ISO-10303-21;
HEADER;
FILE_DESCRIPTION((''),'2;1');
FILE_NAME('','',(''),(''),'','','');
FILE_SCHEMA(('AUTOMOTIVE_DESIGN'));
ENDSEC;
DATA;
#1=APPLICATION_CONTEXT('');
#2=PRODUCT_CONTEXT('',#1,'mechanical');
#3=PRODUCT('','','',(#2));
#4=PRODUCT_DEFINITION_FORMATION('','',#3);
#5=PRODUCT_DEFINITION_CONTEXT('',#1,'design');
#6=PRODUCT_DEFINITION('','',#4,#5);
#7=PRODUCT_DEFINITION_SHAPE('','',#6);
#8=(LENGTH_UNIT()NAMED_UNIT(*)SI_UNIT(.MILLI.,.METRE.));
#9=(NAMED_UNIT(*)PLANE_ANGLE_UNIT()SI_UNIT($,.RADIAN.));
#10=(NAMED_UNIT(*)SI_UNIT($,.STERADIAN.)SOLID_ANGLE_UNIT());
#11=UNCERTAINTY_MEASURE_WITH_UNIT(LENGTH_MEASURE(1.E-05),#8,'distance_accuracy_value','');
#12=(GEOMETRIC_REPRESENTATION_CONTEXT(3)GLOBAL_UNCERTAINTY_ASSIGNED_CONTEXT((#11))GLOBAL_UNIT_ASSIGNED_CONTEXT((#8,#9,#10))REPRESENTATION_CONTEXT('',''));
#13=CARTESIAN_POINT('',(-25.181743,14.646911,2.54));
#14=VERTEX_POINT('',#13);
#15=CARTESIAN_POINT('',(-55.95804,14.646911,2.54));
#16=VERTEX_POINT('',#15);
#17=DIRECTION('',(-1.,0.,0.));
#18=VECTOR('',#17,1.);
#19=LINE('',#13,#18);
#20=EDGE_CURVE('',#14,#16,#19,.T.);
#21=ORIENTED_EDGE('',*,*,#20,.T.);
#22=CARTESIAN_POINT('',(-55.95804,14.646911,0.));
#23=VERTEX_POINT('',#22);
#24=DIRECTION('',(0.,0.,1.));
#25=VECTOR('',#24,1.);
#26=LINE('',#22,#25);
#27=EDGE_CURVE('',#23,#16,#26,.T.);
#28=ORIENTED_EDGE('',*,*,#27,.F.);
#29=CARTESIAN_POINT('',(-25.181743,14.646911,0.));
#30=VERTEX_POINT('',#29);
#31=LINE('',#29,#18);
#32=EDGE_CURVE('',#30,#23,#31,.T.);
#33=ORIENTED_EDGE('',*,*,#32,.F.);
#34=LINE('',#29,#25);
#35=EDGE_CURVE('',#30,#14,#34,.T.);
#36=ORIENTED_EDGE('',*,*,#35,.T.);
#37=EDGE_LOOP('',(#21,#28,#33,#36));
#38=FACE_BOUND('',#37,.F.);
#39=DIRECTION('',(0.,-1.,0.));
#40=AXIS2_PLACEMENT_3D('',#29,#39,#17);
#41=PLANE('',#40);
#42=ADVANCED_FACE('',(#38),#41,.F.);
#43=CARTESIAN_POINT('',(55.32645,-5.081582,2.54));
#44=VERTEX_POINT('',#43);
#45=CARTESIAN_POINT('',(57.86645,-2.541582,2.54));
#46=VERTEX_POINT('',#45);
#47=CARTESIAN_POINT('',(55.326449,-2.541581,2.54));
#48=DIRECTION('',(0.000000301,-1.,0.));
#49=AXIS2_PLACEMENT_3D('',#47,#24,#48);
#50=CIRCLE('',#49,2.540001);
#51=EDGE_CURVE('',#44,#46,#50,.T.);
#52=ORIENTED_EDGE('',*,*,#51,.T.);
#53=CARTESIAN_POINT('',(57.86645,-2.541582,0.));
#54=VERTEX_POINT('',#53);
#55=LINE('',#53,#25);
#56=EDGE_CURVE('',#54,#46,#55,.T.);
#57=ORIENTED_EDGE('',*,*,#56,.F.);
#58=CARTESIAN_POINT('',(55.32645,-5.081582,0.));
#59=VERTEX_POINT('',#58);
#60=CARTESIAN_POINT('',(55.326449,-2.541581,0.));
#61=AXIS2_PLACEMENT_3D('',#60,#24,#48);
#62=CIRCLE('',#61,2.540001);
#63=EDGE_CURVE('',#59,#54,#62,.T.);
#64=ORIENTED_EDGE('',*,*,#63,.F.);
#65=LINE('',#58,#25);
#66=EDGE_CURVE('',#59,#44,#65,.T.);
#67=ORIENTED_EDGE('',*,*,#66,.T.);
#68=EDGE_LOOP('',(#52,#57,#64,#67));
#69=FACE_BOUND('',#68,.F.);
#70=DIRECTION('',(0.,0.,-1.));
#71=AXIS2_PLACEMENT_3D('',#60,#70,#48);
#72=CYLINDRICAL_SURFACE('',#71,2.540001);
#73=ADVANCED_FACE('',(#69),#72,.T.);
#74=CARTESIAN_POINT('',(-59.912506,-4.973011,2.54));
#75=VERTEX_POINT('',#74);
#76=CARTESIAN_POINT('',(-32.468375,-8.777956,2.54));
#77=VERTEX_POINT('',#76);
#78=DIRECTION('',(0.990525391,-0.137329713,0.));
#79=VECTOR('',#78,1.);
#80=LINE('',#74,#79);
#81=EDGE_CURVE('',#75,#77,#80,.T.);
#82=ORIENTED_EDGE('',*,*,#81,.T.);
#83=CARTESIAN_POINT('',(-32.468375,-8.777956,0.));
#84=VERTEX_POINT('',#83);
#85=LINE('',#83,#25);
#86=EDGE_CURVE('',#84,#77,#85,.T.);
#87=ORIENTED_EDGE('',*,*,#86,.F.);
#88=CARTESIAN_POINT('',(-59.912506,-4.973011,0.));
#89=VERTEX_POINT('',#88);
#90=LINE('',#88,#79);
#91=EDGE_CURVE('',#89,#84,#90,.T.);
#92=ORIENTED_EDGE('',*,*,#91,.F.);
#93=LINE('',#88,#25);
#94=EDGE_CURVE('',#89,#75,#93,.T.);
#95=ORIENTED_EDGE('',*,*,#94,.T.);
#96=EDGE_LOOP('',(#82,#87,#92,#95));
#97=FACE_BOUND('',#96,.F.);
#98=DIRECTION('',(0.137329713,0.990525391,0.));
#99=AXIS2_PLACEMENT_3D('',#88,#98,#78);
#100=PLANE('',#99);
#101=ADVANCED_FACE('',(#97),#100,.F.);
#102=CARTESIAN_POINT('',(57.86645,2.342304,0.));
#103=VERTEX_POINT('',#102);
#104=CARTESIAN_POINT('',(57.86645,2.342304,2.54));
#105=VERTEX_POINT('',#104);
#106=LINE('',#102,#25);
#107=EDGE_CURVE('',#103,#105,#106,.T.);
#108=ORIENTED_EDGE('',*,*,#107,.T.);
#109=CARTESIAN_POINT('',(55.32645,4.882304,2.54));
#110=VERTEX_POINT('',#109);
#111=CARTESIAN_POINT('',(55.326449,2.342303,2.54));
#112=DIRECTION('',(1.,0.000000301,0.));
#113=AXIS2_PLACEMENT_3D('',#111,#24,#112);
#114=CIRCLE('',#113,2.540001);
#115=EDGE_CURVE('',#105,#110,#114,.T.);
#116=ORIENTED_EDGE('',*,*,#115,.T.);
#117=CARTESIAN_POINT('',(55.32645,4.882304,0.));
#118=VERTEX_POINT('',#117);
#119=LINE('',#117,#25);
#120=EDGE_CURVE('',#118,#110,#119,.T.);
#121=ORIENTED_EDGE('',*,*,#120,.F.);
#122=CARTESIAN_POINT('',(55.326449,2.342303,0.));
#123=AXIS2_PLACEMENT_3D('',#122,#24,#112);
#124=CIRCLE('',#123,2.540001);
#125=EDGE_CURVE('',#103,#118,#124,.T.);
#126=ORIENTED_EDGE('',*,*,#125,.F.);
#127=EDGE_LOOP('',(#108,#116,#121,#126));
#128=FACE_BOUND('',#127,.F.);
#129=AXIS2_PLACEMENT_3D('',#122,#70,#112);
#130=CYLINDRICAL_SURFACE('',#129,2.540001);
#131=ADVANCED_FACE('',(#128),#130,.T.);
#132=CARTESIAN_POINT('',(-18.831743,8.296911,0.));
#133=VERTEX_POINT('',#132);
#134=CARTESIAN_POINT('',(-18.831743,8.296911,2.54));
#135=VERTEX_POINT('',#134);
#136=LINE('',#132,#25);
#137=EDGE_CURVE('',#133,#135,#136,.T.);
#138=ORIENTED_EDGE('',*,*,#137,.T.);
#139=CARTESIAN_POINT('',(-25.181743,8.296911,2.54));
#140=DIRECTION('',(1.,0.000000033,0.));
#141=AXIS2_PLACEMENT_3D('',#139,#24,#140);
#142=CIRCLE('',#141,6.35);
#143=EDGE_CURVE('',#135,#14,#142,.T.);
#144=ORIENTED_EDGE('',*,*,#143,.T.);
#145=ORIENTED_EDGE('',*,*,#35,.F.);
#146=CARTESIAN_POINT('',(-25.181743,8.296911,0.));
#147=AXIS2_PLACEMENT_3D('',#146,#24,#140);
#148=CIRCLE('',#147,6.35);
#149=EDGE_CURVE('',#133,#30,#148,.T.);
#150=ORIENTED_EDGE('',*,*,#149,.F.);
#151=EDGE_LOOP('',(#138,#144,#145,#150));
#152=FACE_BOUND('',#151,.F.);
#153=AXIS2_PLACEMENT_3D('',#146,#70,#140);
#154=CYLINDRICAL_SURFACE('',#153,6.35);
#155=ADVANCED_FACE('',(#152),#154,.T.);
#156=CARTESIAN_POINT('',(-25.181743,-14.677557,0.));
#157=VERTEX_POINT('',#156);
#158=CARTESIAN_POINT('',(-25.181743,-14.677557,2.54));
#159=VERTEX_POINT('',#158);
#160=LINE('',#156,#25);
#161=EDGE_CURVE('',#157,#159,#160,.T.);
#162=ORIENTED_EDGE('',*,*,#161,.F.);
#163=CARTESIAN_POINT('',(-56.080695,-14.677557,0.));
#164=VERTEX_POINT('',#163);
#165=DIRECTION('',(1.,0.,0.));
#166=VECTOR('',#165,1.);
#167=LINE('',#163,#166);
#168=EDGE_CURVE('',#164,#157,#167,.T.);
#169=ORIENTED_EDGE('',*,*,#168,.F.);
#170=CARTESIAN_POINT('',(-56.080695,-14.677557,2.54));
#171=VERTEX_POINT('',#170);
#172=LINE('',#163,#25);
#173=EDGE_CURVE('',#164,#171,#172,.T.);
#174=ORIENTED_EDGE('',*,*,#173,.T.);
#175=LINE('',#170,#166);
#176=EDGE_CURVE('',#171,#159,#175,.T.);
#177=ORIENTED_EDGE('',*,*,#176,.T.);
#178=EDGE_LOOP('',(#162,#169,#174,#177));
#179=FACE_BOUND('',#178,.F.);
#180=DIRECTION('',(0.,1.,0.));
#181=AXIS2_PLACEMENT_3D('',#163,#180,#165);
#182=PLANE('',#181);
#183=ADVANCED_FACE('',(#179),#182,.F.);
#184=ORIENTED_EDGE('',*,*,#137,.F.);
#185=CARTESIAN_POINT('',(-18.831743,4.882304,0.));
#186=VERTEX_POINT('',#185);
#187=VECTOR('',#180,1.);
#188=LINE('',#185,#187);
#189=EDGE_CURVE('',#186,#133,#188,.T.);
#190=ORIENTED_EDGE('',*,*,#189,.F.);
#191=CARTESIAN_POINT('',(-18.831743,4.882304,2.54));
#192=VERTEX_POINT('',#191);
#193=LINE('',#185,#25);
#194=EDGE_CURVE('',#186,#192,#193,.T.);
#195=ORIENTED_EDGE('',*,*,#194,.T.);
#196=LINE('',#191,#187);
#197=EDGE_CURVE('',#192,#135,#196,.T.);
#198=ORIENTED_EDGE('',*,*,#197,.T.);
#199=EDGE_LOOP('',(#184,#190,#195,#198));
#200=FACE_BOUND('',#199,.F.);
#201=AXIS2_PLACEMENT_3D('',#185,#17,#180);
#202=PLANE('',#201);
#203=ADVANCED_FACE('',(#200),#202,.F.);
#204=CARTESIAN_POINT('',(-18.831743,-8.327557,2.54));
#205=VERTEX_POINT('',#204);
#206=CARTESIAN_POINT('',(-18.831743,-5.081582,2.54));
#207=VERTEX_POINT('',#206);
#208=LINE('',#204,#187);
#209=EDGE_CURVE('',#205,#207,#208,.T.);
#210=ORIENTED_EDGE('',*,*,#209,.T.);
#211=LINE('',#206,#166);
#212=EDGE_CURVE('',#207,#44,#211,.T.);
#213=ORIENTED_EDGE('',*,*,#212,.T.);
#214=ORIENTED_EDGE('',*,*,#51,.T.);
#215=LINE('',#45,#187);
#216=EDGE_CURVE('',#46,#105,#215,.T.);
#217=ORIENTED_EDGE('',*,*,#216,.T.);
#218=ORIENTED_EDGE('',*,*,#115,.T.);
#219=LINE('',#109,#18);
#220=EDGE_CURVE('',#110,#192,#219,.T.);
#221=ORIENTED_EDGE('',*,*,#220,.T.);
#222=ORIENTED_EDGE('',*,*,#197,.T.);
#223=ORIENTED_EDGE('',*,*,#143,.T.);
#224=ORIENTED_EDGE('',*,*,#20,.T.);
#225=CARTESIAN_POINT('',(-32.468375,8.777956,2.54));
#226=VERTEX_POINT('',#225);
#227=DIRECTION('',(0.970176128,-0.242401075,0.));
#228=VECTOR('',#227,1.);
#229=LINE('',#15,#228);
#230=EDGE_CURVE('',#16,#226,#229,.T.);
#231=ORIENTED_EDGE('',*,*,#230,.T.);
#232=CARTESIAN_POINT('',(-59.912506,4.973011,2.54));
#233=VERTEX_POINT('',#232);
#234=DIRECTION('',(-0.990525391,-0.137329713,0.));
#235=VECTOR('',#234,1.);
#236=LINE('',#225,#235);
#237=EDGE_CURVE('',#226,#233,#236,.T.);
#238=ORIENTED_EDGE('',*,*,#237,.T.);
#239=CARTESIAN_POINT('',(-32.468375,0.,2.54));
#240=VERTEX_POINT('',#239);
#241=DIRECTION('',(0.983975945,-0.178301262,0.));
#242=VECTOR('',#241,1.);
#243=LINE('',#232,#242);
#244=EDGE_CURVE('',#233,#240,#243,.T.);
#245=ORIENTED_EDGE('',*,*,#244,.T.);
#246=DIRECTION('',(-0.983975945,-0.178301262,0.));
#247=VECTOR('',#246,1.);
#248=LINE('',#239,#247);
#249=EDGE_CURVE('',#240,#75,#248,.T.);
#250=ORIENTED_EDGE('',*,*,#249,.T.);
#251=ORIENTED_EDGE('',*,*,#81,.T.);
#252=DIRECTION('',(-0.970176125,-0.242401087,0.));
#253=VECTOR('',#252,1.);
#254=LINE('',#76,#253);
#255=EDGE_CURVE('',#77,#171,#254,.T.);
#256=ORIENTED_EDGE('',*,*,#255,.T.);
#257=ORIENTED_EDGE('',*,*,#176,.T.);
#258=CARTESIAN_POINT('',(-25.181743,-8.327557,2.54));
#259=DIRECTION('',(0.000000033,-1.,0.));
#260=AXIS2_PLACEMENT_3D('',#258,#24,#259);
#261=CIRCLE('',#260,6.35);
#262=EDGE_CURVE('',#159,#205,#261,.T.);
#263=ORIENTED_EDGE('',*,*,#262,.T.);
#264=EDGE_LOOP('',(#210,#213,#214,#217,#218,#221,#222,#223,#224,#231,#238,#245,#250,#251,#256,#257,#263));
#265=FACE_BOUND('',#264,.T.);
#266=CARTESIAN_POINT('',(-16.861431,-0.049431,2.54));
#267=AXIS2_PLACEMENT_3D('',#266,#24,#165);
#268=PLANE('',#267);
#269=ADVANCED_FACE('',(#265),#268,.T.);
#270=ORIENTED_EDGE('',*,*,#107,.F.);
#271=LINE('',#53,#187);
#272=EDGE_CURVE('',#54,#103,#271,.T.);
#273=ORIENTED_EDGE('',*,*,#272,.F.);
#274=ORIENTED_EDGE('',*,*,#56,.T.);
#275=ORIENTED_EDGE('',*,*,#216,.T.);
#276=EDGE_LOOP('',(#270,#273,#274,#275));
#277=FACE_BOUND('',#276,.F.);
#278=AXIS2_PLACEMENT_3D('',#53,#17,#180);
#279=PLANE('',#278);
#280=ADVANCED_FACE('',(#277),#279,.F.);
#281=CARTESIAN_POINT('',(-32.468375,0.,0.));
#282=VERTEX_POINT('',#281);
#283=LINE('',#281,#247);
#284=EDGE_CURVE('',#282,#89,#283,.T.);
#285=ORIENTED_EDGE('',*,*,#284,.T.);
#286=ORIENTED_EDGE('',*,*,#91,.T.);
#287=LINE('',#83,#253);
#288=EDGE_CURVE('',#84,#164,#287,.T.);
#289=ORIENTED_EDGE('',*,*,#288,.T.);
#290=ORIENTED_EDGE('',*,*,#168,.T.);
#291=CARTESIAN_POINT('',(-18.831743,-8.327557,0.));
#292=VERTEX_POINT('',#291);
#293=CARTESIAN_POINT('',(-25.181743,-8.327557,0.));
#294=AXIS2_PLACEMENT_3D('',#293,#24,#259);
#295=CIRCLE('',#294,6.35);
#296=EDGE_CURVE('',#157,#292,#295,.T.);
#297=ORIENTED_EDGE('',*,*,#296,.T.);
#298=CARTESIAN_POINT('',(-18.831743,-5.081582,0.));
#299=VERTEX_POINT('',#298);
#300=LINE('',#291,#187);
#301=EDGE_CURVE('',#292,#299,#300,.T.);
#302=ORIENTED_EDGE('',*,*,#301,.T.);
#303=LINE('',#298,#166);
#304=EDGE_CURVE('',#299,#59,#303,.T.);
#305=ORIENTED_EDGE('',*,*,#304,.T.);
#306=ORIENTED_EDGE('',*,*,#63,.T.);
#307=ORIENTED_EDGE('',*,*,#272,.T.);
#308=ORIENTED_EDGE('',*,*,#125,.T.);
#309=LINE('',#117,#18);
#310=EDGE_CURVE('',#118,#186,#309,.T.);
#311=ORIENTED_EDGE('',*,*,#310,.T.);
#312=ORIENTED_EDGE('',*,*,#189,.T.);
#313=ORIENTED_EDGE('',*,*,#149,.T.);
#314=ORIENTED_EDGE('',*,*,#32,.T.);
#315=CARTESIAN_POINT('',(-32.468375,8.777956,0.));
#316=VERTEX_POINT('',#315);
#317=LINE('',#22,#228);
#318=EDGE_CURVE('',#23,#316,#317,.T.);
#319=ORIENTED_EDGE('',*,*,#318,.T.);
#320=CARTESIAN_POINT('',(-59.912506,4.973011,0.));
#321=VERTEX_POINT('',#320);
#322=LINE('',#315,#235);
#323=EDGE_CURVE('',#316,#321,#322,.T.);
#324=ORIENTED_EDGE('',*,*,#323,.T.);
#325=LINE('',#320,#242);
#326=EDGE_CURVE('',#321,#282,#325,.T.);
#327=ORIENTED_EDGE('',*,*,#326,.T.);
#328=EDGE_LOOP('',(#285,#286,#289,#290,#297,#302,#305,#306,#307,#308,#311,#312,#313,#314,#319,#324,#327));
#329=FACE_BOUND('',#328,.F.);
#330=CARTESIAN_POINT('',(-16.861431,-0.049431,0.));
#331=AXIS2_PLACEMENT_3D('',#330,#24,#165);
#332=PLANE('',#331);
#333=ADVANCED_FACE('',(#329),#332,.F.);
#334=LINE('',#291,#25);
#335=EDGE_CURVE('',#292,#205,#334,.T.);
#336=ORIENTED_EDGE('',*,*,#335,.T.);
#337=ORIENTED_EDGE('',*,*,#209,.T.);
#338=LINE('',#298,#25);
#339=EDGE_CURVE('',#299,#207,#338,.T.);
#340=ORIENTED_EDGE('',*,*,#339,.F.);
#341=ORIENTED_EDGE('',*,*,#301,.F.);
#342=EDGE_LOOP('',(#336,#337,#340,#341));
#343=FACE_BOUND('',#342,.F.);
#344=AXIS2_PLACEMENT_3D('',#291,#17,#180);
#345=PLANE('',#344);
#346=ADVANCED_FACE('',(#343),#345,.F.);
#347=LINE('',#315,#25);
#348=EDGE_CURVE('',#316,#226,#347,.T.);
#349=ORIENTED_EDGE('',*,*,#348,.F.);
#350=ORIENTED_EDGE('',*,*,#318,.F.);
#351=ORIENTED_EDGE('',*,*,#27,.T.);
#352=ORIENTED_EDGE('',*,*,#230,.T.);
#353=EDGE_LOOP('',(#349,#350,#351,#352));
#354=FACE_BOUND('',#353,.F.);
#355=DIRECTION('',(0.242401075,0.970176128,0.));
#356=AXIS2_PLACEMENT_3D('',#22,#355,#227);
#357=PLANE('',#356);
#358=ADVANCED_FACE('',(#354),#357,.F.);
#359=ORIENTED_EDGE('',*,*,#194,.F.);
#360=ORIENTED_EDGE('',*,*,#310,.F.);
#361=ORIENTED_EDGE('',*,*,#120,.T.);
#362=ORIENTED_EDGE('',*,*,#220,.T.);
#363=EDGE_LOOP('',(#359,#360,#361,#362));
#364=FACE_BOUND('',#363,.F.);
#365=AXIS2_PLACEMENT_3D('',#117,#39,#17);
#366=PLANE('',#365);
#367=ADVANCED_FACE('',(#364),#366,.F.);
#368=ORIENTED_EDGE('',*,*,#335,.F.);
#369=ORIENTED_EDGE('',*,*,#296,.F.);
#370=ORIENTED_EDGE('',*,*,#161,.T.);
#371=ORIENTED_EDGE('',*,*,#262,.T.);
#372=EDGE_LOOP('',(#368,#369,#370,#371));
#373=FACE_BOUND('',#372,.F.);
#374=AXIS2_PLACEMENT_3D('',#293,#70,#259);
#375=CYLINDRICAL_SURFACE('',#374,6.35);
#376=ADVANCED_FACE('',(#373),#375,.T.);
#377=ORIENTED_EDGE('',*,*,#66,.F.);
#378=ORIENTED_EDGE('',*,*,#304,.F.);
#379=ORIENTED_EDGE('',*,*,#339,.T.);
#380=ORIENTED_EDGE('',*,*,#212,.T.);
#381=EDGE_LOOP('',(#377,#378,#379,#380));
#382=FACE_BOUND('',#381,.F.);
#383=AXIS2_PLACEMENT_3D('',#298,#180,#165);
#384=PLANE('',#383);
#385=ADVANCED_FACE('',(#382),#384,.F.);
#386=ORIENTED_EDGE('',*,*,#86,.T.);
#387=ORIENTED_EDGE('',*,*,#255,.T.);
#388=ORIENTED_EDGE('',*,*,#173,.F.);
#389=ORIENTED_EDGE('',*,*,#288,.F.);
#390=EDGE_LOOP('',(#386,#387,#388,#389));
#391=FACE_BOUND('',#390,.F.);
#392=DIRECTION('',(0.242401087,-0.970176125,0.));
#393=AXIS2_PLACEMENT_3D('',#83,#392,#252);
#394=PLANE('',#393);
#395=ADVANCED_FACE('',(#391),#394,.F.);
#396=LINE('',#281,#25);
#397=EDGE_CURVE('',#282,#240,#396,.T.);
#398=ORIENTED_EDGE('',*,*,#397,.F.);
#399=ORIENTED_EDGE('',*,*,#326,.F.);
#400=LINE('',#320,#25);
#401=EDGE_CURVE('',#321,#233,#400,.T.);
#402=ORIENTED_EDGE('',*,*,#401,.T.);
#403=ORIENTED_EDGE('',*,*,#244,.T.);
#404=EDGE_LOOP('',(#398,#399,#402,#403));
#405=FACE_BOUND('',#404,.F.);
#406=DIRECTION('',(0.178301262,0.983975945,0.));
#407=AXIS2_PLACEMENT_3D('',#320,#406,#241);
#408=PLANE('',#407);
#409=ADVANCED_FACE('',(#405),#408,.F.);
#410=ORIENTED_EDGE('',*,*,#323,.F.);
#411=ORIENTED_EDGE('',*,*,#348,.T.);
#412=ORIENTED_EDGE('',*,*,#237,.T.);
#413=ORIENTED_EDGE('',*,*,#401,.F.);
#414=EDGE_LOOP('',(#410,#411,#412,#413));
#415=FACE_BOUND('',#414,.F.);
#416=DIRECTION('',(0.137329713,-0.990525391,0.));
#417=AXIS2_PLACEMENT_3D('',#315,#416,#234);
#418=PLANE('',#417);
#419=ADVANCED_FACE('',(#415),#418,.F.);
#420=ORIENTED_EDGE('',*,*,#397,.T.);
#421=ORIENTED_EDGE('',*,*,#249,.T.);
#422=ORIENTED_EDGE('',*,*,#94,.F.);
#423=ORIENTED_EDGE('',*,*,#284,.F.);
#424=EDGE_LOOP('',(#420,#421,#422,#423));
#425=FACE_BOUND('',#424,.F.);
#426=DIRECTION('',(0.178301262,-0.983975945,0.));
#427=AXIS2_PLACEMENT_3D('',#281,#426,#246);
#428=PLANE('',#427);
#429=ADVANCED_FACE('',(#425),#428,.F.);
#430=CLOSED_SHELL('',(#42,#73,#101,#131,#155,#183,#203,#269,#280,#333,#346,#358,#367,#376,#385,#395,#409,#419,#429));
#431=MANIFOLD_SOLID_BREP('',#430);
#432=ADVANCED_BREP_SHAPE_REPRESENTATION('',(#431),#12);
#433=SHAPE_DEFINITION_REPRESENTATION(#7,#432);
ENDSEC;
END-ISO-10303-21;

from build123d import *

# Parameters (mm, degrees)
F1_DEPTH = 2.54


with BuildPart() as f1:
    # F0 (on Top) → F1 (new body)
    with BuildSketch(Plane.XY):
        with BuildLine():
            Line((55.32645, 4.882304), (-18.831743, 4.882304))
            Line((-18.831743, 4.882304), (-18.831743, 8.296911))
            ThreePointArc((-18.831743, 8.296911), (-20.691615, 12.787039), (-25.181743, 14.646911))
            Line((-25.181743, 14.646911), (-55.95804, 14.646911))
            Line((-55.95804, 14.646911), (-32.468375, 8.777956))
            Line((-32.468375, 8.777956), (-59.912506, 4.973011))
            Line((-59.912506, 4.973011), (-32.468375, 0))
            Line((-32.468375, 0), (-59.912506, -4.973011))
            Line((-59.912506, -4.973011), (-32.468375, -8.777956))
            Line((-32.468375, -8.777956), (-56.080695, -14.677557))
            Line((-56.080695, -14.677557), (-25.181743, -14.677557))
            ThreePointArc((-25.181743, -14.677557), (-20.691615, -12.817685), (-18.831743, -8.327557))
            Line((-18.831743, -8.327557), (-18.831743, -5.081582))
            Line((-18.831743, -5.081582), (55.32645, -5.081582))
            ThreePointArc((55.32645, -5.081582), (57.122501, -4.337633), (57.86645, -2.541582))
            Line((57.86645, -2.541582), (57.86645, 2.342304))
            ThreePointArc((57.86645, 2.342304), (57.122501, 4.138355), (55.32645, 4.882304))
        make_face()
    extrude(amount=F1_DEPTH)


solid = f1.part
